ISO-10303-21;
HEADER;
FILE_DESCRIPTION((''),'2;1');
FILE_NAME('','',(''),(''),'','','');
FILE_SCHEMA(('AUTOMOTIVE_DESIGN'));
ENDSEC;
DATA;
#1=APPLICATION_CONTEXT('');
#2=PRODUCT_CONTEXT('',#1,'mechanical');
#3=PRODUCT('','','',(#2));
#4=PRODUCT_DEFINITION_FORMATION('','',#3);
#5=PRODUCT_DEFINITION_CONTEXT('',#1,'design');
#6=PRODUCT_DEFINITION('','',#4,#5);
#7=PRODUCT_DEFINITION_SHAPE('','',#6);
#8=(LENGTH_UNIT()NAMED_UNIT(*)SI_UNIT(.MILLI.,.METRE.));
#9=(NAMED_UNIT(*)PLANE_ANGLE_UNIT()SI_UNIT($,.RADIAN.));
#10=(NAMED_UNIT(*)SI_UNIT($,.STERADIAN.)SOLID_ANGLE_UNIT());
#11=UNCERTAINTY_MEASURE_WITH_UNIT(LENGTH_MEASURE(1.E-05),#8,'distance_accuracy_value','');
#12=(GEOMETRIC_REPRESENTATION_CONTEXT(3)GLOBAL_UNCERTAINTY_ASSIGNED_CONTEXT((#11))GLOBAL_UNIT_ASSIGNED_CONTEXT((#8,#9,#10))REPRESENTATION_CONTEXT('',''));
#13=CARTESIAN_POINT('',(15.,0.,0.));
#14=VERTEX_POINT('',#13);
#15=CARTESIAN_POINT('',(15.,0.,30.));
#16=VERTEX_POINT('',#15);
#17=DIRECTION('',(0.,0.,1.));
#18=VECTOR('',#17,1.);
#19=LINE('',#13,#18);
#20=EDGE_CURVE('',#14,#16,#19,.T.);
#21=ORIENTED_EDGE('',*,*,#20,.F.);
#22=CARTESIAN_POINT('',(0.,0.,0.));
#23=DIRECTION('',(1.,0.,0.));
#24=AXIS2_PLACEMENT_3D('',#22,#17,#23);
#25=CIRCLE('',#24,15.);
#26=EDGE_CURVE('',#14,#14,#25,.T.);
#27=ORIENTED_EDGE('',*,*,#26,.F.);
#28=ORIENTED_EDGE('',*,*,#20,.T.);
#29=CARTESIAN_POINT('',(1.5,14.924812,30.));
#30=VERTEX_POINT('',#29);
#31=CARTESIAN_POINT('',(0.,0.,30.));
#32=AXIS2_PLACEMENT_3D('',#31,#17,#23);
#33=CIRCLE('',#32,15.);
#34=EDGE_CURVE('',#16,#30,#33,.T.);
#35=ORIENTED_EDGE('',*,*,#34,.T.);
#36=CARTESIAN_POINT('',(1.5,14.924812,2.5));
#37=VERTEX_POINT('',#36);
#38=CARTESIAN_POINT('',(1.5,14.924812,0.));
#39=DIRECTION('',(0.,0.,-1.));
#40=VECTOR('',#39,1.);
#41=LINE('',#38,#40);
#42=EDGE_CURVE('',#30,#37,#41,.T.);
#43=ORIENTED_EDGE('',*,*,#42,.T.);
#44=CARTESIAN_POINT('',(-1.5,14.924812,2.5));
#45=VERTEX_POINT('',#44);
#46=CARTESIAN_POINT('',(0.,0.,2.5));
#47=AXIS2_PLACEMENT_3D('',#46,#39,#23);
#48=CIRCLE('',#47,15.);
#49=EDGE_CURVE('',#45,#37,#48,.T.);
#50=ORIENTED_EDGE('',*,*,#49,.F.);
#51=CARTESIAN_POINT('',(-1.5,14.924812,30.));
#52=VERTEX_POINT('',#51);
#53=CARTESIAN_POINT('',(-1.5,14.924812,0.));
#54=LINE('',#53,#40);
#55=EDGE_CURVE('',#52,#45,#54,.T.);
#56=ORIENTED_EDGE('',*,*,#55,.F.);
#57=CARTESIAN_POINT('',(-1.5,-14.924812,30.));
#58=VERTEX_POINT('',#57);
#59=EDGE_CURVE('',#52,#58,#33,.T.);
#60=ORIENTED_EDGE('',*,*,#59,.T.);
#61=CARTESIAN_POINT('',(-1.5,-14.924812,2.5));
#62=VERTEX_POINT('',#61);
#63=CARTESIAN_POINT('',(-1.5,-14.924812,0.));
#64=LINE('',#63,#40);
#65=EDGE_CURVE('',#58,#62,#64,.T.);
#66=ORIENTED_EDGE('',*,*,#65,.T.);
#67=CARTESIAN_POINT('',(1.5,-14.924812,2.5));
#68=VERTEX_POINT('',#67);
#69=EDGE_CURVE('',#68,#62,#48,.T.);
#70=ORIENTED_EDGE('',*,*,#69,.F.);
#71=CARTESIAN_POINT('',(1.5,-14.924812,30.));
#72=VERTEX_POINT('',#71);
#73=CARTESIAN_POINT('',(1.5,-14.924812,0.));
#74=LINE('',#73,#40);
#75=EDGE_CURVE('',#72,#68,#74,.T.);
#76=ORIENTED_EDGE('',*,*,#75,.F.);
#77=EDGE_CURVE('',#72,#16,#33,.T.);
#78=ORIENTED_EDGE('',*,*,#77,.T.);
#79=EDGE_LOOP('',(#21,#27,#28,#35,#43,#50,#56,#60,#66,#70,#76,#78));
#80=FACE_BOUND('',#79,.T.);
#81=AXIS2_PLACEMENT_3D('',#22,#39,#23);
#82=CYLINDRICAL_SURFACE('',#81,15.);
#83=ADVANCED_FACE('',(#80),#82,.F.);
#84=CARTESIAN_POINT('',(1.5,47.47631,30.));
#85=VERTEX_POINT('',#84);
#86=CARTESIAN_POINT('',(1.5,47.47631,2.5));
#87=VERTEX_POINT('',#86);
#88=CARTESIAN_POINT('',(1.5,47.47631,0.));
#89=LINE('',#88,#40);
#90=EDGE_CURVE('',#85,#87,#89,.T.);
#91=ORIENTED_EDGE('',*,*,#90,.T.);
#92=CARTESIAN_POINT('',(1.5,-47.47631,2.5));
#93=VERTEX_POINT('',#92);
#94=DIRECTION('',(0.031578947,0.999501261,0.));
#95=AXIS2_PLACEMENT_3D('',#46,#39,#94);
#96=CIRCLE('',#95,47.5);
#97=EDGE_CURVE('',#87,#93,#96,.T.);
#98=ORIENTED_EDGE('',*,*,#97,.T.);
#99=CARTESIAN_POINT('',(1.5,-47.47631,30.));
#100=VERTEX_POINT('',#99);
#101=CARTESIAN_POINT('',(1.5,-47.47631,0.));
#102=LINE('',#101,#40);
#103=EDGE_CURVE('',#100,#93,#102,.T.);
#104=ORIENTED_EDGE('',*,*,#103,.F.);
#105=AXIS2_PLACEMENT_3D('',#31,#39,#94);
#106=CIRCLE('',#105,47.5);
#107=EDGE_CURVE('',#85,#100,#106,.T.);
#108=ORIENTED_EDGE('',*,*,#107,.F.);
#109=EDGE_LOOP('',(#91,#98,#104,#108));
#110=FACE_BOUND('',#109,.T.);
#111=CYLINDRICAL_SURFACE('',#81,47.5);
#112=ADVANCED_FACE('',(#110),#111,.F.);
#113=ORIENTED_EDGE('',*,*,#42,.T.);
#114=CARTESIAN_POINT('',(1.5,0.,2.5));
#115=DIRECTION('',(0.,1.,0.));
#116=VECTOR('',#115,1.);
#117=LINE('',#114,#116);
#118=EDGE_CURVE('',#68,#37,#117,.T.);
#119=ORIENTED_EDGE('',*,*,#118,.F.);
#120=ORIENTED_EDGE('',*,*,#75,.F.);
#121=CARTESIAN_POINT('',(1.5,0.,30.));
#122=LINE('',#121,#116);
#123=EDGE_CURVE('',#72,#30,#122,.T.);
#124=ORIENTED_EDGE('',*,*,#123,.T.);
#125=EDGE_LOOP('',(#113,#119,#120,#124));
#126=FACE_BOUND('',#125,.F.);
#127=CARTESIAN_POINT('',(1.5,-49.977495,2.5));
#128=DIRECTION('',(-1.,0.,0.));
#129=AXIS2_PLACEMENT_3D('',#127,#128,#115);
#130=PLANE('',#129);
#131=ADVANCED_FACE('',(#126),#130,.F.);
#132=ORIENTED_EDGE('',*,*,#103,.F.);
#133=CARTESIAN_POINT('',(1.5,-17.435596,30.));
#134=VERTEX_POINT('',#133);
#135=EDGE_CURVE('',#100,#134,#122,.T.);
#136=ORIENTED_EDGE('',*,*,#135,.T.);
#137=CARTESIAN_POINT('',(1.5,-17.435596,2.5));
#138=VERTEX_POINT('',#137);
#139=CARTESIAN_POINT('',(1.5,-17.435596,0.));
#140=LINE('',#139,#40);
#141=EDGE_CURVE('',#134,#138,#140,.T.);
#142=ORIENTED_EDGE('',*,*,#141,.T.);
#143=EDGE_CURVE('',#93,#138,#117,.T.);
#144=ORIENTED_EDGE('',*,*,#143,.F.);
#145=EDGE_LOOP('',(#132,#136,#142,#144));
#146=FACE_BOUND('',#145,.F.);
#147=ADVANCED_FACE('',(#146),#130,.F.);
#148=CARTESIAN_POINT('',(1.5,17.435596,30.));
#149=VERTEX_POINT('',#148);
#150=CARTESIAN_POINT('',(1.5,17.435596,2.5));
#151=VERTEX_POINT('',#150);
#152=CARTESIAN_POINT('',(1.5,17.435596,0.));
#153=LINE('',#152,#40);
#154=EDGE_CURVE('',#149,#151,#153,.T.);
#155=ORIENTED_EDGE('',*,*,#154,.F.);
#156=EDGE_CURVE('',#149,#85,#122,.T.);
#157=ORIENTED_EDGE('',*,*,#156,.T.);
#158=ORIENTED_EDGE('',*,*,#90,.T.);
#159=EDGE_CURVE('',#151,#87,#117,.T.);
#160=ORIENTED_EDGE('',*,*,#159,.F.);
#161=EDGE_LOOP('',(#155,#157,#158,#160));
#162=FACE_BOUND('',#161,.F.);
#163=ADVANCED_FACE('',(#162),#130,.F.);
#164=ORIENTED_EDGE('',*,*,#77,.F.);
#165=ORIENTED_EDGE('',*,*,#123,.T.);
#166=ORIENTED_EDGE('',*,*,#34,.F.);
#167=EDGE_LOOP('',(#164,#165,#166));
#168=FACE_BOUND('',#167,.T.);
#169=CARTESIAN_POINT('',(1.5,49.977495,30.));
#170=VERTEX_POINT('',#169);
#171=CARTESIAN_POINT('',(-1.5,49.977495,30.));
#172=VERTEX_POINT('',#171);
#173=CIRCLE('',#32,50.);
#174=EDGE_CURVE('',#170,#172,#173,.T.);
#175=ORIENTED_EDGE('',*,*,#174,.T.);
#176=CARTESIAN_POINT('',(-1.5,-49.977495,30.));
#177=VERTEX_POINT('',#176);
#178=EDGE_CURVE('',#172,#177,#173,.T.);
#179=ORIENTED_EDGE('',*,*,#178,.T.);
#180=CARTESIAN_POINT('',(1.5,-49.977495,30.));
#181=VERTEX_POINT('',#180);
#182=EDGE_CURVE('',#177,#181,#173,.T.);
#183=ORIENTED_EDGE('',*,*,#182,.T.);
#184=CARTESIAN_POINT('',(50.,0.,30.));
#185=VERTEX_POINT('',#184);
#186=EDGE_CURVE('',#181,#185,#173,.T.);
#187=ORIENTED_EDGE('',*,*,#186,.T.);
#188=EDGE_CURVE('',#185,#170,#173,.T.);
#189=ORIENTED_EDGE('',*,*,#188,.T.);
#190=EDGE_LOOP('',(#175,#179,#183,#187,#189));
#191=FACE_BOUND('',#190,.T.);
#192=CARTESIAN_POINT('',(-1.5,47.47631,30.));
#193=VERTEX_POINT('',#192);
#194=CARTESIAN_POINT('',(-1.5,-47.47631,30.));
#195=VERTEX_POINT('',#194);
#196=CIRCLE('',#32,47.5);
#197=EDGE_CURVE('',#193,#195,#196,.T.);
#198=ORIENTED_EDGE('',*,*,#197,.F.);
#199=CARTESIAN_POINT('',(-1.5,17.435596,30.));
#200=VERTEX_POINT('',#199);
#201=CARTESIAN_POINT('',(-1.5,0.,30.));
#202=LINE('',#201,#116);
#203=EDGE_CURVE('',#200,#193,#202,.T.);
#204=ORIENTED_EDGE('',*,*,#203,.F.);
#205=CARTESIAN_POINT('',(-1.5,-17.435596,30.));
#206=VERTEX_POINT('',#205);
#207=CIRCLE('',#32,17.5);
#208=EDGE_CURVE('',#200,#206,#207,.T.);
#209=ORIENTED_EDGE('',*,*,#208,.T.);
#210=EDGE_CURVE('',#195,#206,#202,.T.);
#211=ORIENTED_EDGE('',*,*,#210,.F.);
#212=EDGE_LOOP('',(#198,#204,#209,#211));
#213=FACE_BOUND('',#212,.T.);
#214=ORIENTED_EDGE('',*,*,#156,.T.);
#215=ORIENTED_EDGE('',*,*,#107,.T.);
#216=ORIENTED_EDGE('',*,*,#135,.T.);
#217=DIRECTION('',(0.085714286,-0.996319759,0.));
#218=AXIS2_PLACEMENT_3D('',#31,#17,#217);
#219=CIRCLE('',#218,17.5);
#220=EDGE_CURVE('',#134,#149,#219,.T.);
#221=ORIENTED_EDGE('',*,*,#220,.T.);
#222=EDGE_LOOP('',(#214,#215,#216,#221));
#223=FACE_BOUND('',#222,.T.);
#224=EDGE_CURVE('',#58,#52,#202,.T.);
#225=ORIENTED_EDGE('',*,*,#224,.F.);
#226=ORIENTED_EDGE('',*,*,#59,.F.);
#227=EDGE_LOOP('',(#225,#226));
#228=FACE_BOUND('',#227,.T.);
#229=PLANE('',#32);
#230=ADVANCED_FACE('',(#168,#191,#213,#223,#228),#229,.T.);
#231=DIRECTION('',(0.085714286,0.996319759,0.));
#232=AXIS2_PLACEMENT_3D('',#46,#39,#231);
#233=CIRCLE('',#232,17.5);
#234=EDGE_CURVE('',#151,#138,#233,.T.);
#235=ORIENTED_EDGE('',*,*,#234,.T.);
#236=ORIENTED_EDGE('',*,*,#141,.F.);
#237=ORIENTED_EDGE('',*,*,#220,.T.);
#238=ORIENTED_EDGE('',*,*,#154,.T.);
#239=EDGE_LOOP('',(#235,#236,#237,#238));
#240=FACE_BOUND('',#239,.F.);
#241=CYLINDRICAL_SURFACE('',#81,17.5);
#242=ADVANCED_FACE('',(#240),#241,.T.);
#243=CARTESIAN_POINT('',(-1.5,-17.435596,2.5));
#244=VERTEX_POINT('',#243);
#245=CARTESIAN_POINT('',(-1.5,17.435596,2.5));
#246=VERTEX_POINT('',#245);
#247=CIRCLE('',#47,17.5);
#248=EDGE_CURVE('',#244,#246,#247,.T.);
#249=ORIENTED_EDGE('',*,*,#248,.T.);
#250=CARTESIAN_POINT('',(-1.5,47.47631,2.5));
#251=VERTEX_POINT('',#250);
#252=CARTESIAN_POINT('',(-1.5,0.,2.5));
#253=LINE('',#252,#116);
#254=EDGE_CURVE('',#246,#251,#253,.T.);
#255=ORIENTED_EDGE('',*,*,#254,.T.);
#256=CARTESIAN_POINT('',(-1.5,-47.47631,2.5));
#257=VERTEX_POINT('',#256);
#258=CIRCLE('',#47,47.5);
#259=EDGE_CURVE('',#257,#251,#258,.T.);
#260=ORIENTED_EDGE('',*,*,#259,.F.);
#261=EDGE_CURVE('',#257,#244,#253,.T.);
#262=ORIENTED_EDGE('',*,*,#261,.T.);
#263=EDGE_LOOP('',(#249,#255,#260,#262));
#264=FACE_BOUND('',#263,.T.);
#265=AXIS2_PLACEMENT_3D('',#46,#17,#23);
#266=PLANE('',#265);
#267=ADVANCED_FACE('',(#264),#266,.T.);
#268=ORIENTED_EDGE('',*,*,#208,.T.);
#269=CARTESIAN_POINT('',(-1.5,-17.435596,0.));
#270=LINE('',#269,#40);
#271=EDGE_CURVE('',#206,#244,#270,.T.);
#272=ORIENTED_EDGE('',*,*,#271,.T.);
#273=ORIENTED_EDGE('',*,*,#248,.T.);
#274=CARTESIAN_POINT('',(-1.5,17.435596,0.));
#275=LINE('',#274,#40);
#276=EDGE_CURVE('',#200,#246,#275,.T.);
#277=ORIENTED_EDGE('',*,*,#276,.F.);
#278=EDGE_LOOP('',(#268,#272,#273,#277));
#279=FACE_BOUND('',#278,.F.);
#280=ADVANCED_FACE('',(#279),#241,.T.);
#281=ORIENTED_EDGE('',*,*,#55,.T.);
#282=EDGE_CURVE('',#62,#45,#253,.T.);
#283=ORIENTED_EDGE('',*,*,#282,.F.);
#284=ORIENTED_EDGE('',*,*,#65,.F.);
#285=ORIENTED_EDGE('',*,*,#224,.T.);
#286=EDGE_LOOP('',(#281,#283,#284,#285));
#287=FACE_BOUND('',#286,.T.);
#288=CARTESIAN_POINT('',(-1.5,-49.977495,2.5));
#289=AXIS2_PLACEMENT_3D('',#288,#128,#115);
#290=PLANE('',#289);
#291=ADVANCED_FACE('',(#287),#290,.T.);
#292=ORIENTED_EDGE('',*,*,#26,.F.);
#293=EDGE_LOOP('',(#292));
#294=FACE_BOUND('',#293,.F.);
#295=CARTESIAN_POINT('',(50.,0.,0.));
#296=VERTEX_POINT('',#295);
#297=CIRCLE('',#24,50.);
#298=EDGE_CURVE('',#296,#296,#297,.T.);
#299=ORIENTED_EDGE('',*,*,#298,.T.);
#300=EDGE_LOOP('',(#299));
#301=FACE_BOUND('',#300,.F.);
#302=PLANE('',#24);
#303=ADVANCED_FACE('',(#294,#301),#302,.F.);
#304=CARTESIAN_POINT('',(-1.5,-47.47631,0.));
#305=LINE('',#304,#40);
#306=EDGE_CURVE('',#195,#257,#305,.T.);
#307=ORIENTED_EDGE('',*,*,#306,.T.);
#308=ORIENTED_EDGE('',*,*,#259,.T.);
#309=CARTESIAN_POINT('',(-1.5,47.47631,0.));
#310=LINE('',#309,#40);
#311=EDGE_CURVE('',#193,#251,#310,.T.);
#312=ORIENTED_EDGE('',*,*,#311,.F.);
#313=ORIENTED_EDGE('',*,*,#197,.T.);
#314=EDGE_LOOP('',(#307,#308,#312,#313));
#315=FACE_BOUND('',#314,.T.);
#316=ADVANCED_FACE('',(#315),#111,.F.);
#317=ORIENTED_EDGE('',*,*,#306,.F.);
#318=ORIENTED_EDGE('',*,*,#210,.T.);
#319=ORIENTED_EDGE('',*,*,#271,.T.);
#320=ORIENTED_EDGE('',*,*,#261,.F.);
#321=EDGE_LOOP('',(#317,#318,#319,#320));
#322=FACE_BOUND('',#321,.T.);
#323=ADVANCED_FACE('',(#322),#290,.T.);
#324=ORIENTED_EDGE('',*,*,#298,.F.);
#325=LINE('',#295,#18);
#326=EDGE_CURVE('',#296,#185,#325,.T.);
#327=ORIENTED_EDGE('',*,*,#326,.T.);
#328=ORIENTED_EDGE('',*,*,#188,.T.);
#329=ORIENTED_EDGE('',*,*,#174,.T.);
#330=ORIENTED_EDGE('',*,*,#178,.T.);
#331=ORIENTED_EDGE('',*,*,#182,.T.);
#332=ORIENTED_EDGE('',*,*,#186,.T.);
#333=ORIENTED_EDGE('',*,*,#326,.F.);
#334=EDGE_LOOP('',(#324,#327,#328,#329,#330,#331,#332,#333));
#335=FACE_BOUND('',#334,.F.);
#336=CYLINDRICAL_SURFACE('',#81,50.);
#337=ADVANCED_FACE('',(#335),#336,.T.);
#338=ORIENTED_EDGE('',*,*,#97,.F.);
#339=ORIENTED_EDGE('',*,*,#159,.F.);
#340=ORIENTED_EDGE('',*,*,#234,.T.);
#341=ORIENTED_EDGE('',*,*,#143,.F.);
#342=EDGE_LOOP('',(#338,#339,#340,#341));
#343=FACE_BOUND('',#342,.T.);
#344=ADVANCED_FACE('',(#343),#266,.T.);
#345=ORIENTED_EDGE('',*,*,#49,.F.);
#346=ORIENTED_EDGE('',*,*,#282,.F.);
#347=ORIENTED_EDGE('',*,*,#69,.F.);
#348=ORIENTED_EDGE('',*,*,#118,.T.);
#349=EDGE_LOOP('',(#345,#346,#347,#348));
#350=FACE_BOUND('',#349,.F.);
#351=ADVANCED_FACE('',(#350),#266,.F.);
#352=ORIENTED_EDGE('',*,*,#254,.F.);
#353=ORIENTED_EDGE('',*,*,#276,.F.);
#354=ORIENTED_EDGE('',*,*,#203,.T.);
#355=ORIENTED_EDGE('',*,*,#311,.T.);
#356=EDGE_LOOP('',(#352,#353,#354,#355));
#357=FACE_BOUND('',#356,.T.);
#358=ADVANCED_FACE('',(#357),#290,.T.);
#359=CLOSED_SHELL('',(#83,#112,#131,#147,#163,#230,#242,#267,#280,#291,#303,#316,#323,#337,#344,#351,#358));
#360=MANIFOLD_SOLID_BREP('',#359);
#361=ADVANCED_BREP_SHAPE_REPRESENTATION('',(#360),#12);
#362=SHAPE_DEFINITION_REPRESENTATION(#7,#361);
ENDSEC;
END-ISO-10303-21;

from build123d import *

# Parameters (mm, degrees)
F0_R     = 50
F0_R_2   = 15
F4_DEPTH = 30
F1_T     = -2.5
F2_W     = 3
F2_H     = 99.95499
F5_DEPTH = 27.5


with BuildPart() as f4:
    # F0 (on Top) → F4 (new body)
    with BuildSketch(Plane.XY):
        Circle(F0_R)
        Circle(F0_R_2, mode=Mode.SUBTRACT)
    extrude(amount=F4_DEPTH)

    # F1
    f1_openings = [f4.faces().sort_by_distance(p)[0] for p in [
        (-48.585786, 0, 30),
    ]]
    offset(amount=F1_T, openings=f1_openings)

    # F2 (on face) → F5 (join)
    with BuildSketch(Plane.XY.offset(2.5)):
        Rectangle(F2_W, F2_H)
    extrude(amount=F5_DEPTH)


solid = f4.part
